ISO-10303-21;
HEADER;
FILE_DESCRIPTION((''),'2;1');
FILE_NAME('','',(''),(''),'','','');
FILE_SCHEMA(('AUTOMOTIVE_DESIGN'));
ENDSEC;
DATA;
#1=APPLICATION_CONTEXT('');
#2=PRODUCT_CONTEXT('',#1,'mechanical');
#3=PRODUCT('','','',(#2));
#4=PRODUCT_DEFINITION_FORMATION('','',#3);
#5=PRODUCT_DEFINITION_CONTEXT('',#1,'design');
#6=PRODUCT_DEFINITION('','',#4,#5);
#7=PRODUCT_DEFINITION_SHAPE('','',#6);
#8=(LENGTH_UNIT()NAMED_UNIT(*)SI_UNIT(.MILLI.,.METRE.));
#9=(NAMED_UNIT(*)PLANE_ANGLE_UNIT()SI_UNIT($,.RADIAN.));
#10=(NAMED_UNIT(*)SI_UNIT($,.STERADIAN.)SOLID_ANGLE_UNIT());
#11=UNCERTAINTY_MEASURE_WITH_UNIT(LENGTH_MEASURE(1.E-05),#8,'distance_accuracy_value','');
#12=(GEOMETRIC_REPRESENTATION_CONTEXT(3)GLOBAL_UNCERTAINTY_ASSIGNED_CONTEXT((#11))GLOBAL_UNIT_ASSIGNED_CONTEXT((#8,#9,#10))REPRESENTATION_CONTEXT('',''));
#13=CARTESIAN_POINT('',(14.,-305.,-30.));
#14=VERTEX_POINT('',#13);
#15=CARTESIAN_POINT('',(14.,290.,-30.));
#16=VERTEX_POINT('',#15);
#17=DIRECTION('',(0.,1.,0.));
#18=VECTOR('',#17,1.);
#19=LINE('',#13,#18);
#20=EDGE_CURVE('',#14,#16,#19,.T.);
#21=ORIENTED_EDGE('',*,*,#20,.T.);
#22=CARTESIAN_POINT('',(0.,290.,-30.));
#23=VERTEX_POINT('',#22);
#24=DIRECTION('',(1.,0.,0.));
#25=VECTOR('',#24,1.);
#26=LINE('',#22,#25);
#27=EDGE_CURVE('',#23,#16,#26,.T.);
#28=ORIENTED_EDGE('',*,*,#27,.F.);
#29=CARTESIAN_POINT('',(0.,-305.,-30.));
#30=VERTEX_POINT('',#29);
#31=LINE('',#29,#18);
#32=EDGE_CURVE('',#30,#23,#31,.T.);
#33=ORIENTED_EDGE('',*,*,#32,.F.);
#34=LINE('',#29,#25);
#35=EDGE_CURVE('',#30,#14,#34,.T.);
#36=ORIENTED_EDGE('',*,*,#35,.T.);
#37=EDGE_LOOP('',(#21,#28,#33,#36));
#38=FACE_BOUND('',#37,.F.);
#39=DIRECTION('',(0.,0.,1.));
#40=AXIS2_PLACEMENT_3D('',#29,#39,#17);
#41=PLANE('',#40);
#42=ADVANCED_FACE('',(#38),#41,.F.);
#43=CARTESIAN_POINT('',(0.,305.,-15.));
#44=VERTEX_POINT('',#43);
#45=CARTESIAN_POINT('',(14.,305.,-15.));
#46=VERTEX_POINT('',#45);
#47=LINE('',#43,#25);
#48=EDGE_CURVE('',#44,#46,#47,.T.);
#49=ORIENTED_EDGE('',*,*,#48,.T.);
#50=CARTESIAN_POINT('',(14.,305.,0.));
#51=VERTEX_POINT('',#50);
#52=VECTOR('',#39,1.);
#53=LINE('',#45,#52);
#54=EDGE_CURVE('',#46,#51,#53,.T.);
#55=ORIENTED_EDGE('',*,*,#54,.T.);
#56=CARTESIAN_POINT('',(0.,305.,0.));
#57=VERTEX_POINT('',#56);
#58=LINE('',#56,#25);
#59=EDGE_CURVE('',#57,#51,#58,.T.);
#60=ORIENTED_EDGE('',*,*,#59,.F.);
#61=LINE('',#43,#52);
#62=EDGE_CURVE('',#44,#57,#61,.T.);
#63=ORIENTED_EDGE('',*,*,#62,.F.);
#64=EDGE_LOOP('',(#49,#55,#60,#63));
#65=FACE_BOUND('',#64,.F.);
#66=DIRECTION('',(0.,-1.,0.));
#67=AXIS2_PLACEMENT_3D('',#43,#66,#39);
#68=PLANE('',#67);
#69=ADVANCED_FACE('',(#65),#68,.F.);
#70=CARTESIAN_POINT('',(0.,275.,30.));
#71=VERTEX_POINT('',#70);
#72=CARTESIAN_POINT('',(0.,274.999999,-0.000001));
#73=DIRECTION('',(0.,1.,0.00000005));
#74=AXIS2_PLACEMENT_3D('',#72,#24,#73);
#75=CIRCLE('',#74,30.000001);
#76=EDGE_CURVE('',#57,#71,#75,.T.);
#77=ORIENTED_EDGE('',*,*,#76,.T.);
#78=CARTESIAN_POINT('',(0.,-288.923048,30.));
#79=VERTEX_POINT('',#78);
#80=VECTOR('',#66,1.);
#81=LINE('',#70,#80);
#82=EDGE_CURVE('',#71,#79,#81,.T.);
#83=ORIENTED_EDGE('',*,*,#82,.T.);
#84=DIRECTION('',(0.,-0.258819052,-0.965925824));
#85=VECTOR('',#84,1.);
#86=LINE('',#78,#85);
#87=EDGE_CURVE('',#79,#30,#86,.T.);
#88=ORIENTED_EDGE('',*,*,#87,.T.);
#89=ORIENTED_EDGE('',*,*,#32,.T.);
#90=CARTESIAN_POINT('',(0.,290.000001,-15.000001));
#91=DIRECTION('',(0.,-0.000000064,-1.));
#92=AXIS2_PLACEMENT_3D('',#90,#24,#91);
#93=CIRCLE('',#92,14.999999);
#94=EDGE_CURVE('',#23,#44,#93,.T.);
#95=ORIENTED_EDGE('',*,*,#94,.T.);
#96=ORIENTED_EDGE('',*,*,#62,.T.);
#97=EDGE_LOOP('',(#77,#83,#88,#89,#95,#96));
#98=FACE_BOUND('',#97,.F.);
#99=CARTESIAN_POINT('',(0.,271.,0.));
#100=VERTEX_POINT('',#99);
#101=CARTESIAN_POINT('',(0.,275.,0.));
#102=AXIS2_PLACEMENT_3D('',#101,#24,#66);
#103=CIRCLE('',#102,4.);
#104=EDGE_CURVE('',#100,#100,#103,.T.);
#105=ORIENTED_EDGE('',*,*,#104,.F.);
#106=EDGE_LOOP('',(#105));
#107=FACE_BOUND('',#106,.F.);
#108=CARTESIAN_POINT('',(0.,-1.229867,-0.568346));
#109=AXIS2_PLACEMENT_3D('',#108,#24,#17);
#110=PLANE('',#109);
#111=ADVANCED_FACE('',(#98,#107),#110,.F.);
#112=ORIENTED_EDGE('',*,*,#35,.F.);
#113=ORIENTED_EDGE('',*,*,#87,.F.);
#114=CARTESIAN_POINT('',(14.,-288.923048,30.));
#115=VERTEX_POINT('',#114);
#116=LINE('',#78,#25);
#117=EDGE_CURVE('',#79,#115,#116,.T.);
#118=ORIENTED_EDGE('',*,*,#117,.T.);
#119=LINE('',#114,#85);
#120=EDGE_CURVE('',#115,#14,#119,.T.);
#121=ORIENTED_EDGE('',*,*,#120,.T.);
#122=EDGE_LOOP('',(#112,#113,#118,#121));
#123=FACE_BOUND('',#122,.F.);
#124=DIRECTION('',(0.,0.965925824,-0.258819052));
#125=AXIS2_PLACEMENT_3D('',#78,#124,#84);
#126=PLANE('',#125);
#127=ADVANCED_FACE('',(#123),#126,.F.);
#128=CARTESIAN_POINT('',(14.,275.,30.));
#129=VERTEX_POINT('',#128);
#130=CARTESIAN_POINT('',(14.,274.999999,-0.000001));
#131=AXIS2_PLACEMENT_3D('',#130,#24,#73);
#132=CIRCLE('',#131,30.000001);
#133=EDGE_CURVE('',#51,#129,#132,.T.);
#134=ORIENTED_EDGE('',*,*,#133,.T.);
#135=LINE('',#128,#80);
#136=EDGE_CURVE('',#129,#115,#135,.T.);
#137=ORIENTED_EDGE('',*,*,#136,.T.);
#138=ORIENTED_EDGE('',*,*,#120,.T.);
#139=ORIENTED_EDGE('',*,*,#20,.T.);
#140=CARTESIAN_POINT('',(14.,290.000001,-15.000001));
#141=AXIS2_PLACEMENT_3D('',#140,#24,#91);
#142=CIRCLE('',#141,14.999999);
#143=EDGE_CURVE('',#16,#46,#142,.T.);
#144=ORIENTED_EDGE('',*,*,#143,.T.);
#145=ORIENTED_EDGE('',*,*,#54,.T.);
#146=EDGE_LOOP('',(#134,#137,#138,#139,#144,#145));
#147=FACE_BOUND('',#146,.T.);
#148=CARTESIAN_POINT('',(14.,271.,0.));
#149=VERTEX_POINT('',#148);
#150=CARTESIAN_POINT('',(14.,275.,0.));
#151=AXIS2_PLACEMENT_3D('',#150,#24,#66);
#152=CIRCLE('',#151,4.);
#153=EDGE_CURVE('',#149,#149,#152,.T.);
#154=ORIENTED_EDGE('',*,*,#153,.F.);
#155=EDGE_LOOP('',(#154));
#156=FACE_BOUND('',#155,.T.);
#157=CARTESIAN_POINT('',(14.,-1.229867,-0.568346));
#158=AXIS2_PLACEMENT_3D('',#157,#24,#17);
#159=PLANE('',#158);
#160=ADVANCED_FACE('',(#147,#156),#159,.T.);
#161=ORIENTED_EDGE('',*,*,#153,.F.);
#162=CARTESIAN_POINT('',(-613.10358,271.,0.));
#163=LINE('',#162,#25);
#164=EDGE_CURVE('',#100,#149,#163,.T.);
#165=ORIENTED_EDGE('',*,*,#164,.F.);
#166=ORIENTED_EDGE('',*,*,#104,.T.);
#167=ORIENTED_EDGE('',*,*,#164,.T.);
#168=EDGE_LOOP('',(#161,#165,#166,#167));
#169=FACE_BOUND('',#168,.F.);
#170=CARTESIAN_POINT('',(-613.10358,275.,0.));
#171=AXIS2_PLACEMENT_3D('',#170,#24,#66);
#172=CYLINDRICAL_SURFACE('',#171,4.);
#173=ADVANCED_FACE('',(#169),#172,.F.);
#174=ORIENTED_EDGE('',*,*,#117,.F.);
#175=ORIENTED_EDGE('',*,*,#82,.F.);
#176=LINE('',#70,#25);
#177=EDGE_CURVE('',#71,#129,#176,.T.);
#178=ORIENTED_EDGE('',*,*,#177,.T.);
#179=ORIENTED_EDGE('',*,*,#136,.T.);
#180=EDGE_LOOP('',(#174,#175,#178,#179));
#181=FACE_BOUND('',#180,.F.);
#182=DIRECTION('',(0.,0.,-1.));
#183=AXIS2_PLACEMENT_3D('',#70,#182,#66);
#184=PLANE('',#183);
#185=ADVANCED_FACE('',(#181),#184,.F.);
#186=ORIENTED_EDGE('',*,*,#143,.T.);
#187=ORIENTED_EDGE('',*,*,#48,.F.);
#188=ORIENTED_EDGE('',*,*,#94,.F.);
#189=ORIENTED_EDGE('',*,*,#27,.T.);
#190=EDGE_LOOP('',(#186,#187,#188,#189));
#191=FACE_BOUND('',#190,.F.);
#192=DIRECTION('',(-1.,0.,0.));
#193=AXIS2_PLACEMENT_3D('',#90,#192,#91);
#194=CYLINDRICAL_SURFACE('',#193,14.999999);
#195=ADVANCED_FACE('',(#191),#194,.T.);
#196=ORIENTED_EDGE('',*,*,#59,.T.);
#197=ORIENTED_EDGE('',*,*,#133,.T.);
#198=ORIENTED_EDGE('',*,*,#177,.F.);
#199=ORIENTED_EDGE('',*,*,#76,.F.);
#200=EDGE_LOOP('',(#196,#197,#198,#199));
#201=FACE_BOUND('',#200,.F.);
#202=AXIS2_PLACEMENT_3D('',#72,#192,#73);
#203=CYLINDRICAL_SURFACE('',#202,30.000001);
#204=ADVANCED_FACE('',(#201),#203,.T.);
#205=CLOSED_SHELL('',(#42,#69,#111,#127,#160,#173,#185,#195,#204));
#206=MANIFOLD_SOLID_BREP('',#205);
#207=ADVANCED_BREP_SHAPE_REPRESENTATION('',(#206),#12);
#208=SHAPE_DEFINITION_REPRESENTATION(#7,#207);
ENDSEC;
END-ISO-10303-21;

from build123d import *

# Parameters (mm, degrees)
F1_DEPTH = 14
F2_D     = 8


with BuildPart() as f1:
    # F0 (on Right) → F1 (new body)
    with BuildSketch(Plane.YZ):
        with BuildLine():
            Line((275, 30), (-288.923048, 30))
            Line((-288.923048, 30), (-305, -30))
            Line((-305, -30), (290, -30))
            ThreePointArc((290, -30), (300.606602, -25.606602), (305, -15))
            Line((305, -15), (305, 0))
            ThreePointArc((305, 0), (296.213203, 21.213203), (275, 30))
        make_face()
    extrude(amount=F1_DEPTH)

    # F2 (through all)
    with Locations(Plane(origin=(0, 0, 0), x_dir=(0, 1, 0), z_dir=(-1, 0, 0))):
        with Locations((275, 0)):
            Hole(F2_D / 2)


solid = f1.part
